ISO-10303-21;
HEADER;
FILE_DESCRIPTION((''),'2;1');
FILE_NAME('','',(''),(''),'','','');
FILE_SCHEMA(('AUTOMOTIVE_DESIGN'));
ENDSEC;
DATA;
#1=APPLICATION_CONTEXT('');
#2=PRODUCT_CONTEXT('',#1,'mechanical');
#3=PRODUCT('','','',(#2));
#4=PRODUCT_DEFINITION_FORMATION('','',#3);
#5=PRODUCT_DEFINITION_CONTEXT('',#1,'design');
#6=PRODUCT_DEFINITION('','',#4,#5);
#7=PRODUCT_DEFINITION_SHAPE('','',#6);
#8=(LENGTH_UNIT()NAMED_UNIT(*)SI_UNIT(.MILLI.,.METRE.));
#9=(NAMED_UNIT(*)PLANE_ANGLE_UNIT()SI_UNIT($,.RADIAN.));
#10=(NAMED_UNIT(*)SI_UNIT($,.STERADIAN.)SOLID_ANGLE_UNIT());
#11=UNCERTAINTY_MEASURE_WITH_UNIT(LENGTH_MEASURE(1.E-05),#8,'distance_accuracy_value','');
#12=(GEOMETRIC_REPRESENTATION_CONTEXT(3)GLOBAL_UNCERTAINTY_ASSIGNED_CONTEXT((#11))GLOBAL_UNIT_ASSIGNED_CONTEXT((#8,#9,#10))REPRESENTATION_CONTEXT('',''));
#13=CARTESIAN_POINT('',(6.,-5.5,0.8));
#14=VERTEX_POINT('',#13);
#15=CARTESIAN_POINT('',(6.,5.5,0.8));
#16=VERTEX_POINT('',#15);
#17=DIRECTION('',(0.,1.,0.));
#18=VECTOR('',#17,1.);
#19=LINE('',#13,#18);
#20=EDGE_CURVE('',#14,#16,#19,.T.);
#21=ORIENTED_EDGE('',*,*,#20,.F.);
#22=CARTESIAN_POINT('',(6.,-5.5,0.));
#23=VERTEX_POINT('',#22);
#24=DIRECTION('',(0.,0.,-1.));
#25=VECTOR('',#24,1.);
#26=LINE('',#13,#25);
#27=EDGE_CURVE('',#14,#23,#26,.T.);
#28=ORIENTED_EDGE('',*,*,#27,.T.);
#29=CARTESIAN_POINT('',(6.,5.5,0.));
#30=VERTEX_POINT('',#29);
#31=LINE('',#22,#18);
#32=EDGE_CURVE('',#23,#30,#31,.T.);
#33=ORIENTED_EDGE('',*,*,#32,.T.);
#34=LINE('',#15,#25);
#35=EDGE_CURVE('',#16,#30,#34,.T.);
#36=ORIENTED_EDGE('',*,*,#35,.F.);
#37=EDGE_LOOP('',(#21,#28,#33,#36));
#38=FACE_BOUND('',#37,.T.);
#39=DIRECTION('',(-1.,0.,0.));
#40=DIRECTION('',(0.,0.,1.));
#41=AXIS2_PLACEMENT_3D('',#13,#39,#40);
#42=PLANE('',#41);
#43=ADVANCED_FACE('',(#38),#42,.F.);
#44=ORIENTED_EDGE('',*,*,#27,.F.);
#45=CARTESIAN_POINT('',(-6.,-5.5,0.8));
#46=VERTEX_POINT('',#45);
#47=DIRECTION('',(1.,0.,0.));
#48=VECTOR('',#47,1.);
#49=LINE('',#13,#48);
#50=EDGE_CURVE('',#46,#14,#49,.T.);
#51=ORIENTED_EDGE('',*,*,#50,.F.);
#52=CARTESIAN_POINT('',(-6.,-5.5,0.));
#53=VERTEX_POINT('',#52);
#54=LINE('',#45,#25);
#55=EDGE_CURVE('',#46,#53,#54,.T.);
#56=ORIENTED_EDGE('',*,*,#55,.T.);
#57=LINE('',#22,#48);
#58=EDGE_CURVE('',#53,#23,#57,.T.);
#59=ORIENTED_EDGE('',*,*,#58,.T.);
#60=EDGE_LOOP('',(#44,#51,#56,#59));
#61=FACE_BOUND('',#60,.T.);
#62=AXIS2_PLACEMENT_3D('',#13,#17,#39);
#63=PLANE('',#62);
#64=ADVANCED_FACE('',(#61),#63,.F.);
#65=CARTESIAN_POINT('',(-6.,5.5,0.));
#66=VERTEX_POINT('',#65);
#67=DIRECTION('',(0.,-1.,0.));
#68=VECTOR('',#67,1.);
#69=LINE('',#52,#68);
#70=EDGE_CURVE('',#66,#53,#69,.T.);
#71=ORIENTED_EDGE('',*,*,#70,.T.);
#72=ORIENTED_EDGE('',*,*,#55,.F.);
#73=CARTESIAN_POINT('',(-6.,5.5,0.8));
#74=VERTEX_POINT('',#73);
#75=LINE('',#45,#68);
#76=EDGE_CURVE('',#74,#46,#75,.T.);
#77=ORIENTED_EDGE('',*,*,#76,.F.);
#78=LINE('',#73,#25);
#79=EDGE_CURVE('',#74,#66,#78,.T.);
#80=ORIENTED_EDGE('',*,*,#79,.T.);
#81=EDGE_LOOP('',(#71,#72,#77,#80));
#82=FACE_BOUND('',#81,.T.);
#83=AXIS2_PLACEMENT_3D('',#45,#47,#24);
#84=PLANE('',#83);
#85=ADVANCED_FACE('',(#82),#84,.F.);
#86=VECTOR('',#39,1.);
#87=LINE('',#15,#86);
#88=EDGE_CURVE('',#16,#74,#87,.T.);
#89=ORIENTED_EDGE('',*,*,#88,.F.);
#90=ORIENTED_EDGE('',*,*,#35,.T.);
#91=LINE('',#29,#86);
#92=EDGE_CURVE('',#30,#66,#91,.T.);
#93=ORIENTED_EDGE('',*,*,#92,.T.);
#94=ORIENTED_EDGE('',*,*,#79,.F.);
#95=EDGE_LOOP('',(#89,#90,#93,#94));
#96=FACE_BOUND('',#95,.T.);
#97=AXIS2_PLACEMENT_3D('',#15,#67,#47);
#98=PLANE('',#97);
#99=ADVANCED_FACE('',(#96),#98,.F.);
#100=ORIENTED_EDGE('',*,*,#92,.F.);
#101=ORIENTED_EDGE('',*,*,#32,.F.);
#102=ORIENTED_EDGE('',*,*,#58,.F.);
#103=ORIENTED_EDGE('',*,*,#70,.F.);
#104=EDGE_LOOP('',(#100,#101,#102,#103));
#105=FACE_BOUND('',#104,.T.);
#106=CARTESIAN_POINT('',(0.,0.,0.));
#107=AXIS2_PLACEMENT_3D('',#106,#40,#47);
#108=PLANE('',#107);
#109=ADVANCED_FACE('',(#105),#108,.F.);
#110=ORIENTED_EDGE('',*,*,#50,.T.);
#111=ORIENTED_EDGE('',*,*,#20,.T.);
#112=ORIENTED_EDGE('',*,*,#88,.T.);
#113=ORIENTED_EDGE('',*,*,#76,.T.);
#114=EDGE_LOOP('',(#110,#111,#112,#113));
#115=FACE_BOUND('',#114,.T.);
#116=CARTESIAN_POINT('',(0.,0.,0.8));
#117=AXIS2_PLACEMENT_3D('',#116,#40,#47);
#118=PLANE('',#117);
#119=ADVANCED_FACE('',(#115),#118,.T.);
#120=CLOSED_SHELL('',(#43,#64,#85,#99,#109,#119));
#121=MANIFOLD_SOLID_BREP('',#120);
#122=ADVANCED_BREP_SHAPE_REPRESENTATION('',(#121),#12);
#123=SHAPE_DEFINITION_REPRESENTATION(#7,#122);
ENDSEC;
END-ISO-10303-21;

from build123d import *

# Parameters (mm, degrees)
SCHIZZO2_W                   = 12
SCHIZZO2_H                   = 11
ESTRUSIONE_ESTRUSIONE1_DEPTH = 0.8


with BuildPart() as part:
    # Schizzo2 → Estrusione-Estrusione1 (new body)
    with BuildSketch(Plane.XY):
        Rectangle(SCHIZZO2_W, SCHIZZO2_H)
    extrude(amount=ESTRUSIONE_ESTRUSIONE1_DEPTH)


solid = part.part
